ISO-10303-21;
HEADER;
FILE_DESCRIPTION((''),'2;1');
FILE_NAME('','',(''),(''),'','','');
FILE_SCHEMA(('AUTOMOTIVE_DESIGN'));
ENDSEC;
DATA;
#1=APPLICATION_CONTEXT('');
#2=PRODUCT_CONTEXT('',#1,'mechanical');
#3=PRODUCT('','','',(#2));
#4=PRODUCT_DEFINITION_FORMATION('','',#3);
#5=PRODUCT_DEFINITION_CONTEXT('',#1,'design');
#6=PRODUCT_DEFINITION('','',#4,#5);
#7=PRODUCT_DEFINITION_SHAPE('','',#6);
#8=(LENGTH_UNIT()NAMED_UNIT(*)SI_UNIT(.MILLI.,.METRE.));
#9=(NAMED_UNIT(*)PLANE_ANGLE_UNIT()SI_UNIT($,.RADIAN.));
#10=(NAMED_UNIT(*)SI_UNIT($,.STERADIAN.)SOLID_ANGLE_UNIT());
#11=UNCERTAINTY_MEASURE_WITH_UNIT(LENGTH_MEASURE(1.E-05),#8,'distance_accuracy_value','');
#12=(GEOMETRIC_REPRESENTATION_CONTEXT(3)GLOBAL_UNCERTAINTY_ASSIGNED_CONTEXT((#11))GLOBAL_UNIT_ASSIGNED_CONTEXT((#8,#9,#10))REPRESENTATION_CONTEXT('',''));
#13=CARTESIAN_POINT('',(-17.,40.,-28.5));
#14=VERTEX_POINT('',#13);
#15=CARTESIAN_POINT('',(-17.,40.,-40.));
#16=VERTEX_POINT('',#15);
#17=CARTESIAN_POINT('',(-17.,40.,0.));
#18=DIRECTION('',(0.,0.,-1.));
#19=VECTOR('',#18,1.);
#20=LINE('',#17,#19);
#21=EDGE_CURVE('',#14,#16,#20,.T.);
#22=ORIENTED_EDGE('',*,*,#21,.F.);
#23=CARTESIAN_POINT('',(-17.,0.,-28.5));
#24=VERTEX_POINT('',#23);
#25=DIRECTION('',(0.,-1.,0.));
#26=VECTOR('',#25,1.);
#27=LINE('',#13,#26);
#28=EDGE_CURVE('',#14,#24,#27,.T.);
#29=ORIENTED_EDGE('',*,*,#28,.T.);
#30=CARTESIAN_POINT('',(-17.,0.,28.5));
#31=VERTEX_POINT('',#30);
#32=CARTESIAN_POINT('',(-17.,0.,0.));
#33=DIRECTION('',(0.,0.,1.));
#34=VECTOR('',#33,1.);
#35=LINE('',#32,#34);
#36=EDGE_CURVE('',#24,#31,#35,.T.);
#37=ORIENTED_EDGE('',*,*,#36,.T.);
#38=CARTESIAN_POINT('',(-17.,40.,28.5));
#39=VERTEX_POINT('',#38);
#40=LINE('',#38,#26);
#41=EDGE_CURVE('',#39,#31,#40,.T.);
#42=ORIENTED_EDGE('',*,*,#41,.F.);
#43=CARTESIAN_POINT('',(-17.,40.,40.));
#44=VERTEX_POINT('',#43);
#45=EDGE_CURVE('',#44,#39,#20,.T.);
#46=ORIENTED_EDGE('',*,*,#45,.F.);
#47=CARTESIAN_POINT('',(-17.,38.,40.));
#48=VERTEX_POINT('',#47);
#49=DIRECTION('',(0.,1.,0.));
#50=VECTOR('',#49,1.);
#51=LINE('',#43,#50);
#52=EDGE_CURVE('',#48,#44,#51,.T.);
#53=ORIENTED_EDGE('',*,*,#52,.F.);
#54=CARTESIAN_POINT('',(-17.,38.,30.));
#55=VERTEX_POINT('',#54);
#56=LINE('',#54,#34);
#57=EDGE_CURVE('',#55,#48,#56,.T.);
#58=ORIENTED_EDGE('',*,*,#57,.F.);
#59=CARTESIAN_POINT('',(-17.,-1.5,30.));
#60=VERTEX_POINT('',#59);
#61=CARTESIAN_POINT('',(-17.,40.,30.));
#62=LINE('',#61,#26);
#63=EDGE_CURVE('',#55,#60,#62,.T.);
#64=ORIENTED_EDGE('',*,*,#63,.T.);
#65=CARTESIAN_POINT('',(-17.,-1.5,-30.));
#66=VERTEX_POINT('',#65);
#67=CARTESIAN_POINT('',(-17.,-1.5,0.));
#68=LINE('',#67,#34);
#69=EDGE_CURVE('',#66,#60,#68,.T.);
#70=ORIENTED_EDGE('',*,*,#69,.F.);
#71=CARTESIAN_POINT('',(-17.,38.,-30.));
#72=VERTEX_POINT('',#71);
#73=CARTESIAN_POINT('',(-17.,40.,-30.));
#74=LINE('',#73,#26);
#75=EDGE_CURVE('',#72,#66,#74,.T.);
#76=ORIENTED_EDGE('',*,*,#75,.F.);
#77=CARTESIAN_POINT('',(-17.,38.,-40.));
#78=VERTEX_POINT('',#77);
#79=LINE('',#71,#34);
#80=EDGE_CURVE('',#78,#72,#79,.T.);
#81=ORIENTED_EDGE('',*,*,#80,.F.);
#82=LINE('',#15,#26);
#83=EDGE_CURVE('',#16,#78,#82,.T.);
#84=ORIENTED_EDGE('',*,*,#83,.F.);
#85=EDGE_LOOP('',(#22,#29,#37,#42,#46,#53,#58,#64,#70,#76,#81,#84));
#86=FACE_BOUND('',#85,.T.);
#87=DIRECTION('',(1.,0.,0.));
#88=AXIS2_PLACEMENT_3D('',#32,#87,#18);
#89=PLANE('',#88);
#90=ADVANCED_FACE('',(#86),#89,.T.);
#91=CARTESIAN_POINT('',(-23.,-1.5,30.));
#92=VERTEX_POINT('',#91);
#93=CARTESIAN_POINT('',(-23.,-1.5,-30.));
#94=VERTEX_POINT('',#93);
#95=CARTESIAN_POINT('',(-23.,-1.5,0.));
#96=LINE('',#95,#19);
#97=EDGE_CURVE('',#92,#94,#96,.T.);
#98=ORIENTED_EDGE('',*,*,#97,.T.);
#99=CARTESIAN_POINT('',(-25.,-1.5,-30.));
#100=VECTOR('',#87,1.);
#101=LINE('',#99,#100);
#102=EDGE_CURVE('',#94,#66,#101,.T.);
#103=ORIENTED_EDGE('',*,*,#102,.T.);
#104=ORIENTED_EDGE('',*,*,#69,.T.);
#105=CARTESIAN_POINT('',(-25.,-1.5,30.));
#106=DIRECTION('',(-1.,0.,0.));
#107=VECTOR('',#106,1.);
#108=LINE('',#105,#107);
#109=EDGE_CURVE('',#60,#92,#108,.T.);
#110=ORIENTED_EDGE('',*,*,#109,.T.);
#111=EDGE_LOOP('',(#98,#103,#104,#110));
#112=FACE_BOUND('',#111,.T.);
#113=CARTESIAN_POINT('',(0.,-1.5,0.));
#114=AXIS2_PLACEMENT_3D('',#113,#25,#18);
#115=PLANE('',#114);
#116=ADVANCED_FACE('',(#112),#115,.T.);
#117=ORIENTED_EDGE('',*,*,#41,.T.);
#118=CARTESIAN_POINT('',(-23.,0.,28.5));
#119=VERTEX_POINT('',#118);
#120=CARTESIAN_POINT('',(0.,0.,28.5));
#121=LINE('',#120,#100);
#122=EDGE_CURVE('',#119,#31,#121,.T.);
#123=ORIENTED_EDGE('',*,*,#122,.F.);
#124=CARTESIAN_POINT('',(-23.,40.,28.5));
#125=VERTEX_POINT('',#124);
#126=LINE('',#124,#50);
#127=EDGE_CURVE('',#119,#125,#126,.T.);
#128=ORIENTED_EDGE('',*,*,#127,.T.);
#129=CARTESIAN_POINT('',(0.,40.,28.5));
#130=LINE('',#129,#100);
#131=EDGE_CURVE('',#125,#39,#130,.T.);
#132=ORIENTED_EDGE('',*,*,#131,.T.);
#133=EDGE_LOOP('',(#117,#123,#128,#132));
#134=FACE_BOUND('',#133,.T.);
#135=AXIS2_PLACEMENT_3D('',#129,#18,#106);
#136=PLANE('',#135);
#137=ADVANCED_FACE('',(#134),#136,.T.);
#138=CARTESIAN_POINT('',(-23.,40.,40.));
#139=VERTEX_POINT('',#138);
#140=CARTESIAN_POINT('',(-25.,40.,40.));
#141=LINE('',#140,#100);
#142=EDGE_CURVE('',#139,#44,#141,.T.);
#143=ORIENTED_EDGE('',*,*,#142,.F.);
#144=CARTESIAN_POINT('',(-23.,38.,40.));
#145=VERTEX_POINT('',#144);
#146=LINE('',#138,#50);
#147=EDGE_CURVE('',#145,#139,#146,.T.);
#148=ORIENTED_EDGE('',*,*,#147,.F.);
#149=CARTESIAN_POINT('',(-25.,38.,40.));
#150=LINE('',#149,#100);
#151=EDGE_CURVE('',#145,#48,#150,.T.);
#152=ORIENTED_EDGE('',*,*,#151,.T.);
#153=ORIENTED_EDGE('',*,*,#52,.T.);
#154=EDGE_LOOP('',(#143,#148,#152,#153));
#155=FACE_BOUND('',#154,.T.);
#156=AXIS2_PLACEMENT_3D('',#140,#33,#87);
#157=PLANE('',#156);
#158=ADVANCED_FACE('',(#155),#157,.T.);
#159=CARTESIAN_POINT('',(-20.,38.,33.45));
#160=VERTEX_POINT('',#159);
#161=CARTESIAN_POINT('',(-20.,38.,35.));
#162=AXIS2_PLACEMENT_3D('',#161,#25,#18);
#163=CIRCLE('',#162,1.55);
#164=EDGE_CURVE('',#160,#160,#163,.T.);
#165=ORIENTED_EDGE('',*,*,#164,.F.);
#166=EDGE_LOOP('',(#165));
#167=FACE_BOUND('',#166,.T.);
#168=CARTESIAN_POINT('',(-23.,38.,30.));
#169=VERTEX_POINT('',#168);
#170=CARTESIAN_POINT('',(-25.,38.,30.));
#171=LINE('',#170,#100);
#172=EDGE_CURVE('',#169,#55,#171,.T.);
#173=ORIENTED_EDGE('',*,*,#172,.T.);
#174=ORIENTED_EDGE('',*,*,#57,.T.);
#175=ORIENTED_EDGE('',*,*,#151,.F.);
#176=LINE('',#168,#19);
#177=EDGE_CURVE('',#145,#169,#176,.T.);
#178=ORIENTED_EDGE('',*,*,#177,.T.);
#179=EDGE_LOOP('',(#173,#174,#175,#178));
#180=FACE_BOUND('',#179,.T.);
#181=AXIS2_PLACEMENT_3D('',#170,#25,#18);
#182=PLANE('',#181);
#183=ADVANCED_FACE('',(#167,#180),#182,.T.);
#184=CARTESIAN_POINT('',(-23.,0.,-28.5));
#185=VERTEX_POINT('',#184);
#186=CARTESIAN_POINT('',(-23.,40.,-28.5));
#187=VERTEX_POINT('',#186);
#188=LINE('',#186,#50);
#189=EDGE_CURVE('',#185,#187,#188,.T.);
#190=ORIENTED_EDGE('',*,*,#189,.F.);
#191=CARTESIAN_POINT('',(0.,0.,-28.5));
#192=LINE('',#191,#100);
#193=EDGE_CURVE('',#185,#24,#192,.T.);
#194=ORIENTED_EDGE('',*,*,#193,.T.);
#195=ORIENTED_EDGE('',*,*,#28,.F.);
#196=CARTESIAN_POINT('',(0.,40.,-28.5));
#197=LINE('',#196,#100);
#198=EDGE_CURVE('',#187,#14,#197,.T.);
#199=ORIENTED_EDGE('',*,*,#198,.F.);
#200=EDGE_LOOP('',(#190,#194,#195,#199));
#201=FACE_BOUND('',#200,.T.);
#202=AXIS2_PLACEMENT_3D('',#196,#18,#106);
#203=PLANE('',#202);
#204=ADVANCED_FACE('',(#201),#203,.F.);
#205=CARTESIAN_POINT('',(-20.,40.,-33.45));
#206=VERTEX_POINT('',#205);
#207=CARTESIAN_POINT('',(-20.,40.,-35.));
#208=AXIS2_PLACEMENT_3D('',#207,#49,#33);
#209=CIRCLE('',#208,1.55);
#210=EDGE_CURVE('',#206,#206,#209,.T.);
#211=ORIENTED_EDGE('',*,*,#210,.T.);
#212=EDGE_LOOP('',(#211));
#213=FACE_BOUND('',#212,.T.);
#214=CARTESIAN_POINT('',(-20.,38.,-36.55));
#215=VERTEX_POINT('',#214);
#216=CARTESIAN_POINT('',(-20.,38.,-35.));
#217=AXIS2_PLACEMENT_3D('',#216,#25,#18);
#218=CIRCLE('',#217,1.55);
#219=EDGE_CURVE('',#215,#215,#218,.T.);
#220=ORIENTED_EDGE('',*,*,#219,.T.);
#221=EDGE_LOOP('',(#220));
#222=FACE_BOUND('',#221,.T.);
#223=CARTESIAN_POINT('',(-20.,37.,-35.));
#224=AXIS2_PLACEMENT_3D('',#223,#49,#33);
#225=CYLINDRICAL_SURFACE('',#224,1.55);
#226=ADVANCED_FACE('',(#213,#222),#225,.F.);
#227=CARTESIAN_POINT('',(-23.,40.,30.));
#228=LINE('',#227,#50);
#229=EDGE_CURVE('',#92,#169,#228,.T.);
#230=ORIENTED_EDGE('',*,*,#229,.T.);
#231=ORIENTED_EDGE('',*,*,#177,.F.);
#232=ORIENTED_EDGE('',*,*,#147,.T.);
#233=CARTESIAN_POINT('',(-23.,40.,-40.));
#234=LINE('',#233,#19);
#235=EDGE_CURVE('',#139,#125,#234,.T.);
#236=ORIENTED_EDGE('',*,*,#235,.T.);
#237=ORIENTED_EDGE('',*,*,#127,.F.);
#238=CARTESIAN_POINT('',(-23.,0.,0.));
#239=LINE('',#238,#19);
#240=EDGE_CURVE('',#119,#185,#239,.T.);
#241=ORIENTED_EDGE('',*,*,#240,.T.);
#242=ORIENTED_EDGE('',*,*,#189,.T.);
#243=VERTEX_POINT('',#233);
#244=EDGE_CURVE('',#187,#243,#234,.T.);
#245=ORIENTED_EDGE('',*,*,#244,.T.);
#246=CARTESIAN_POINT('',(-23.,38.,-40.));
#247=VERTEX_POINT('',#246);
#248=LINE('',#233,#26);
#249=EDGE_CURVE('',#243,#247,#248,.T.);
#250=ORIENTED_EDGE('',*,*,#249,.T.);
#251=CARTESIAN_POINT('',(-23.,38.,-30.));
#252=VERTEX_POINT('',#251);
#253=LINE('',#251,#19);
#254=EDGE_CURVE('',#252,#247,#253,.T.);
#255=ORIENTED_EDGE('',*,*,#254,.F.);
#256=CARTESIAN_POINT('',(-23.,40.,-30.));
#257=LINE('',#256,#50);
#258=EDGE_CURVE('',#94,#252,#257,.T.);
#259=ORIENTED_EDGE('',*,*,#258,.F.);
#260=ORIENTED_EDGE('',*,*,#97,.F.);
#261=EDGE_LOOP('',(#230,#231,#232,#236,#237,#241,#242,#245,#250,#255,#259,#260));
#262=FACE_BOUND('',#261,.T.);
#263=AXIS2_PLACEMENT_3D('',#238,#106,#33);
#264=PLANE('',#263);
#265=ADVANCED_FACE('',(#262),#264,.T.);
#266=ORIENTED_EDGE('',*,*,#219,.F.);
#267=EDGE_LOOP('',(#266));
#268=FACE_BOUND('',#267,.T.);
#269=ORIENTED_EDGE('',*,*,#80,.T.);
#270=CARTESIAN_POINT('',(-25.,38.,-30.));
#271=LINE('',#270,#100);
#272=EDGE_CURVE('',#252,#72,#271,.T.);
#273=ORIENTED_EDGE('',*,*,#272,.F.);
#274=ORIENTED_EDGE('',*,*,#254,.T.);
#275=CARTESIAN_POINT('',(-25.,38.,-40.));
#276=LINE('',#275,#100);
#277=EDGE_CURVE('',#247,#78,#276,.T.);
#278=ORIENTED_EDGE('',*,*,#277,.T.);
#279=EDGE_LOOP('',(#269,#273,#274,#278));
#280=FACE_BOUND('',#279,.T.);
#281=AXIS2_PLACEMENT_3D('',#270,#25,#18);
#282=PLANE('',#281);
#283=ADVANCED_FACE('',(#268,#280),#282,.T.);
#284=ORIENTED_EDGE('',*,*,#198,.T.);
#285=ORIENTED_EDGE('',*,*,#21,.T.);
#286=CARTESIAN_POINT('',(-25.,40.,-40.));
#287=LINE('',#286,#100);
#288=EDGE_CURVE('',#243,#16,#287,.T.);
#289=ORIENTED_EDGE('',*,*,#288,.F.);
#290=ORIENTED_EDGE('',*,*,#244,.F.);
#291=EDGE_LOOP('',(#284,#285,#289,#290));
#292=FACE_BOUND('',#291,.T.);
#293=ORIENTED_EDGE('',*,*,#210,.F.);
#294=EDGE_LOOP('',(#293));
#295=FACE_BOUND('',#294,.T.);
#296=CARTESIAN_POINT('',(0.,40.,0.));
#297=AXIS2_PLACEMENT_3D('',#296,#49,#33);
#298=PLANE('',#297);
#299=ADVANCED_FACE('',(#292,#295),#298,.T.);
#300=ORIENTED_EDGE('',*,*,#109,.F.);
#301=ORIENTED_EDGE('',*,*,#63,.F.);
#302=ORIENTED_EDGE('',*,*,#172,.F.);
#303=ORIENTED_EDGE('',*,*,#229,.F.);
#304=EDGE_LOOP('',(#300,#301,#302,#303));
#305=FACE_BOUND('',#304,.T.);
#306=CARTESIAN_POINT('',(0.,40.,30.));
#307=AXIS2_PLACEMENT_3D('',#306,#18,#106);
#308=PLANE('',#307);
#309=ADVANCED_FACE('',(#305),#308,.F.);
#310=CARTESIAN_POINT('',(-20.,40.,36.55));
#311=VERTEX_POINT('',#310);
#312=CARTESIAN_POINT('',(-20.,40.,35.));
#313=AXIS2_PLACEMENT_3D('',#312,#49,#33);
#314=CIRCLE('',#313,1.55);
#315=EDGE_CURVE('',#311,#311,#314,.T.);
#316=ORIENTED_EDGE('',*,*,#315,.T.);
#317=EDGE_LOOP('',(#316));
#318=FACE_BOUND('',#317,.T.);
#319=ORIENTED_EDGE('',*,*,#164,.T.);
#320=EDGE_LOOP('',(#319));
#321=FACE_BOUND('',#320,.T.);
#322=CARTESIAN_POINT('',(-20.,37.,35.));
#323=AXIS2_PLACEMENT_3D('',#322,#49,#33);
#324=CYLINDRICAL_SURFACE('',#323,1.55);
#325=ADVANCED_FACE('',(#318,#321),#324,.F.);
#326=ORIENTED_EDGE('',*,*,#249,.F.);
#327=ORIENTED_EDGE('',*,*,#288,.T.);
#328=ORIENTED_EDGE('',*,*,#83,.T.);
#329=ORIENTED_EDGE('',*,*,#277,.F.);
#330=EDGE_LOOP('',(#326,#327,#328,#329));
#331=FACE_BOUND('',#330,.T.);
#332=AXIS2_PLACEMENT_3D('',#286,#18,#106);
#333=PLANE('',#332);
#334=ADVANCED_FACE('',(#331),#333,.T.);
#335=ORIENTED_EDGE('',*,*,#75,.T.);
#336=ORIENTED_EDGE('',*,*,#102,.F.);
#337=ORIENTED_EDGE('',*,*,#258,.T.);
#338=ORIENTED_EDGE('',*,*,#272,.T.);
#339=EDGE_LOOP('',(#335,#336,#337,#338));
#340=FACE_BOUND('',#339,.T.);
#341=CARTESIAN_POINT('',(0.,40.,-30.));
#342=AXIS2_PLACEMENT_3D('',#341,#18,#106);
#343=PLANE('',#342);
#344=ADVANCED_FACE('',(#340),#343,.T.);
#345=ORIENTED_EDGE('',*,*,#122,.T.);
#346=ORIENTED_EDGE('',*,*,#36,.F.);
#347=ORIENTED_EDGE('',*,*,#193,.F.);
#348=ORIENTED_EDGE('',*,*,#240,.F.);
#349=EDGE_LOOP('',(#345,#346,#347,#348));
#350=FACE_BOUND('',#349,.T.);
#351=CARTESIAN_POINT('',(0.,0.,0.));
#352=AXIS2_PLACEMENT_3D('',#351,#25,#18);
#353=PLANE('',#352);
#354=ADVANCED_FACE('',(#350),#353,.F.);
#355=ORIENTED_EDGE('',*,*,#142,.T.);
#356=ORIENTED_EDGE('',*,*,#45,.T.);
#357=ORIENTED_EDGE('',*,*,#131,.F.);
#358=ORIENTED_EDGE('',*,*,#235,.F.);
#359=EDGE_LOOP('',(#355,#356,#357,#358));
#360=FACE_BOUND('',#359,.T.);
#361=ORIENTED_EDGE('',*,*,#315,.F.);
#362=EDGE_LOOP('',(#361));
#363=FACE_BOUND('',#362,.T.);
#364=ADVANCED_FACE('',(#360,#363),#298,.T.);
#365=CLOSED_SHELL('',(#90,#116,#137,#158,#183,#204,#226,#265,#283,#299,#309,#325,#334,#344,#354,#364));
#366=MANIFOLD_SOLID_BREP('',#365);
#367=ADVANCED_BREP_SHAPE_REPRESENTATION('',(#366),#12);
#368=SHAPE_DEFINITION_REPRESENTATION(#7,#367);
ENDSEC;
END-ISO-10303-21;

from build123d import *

# Parameters (mm, degrees)
SKETCH1_W           = 50
SKETCH1_H           = 60
SKETCH1_W_2         = 47
SKETCH1_H_2         = 57
BOSS_EXTRUDE6_DEPTH = 40
SKETCH7_W           = 50
SKETCH7_H           = 60
BOSS_EXTRUDE8_DEPTH = 1.5
SKETCH8_W           = 10
SKETCH8_H           = 2
BOSS_EXTRUDE9_DEPTH = 50
SKETCH9_R           = 1.55
CUT_EXTRUDE1_DEPTH  = 3
SKETCH11_R          = 8.25
CUT_EXTRUDE3_DEPTH  = 1.5
SKETCH12_W          = 80
SKETCH12_H          = 42.428758989
CUT_EXTRUDE4_DEPTH  = 2
SKETCH13_W          = 92.772924303
SKETCH13_H          = 57.399075468
CUT_EXTRUDE5_DEPTH  = 42


with BuildPart() as part:
    # Sketch1 → Boss-Extrude6 (new body)
    with BuildSketch(Plane(origin=(0, 0, 0), x_dir=(1, 0, 0), z_dir=(0, 1, 0))):
        Rectangle(SKETCH1_W, SKETCH1_H)
        Rectangle(SKETCH1_W_2, SKETCH1_H_2, mode=Mode.SUBTRACT)
    extrude(amount=BOSS_EXTRUDE6_DEPTH)

    # Sketch7 → Boss-Extrude8 (add)
    with BuildSketch(Plane.XZ):
        Rectangle(SKETCH7_W, SKETCH7_H)
    extrude(amount=BOSS_EXTRUDE8_DEPTH)

    # Sketch8 → Boss-Extrude9 (add)
    with BuildSketch(Plane(origin=(25, 0, 0), x_dir=(0, 0, -1), z_dir=(1, 0, 0))):
        with Locations((-35, 39)):
            Rectangle(SKETCH8_W, SKETCH8_H)
        with Locations((35, 39)):
            Rectangle(SKETCH8_W, SKETCH8_H)
    extrude(amount=-BOSS_EXTRUDE9_DEPTH)

    # Sketch9 → Cut-Extrude1 (cut)
    with BuildSketch(Plane(origin=(0, 40, 0), x_dir=(1, 0, 0), z_dir=(0, 1, 0))):
        with Locations((-20, 35)):
            Circle(SKETCH9_R)
        with Locations((20, 35)):
            Circle(SKETCH9_R)
        with Locations((20, -35)):
            Circle(SKETCH9_R)
        with Locations((-20, -35)):
            Circle(SKETCH9_R)
    extrude(amount=-CUT_EXTRUDE1_DEPTH, mode=Mode.SUBTRACT)

    # Sketch11 → Cut-Extrude3 (cut)
    with BuildSketch(Plane.ZY.offset(25)):
        with Locations((0, 18.25)):
            Circle(SKETCH11_R)
    extrude(amount=-CUT_EXTRUDE3_DEPTH, mode=Mode.SUBTRACT)

    # Sketch12 → Cut-Extrude4 (cut)
    with BuildSketch(Plane.ZY.offset(25)):
        with Locations((0, 18.785620505)):
            Rectangle(SKETCH12_W, SKETCH12_H)
    extrude(amount=-CUT_EXTRUDE4_DEPTH, mode=Mode.SUBTRACT)

    # Sketch13 → Cut-Extrude5 (cut)
    with BuildSketch(Plane(origin=(25, 0, 0), x_dir=(0, 0, -1), z_dir=(1, 0, 0))):
        with Locations((0.049381319, 17.016100398)):
            Rectangle(SKETCH13_W, SKETCH13_H)
    extrude(amount=-CUT_EXTRUDE5_DEPTH, mode=Mode.SUBTRACT)


solid = part.part
